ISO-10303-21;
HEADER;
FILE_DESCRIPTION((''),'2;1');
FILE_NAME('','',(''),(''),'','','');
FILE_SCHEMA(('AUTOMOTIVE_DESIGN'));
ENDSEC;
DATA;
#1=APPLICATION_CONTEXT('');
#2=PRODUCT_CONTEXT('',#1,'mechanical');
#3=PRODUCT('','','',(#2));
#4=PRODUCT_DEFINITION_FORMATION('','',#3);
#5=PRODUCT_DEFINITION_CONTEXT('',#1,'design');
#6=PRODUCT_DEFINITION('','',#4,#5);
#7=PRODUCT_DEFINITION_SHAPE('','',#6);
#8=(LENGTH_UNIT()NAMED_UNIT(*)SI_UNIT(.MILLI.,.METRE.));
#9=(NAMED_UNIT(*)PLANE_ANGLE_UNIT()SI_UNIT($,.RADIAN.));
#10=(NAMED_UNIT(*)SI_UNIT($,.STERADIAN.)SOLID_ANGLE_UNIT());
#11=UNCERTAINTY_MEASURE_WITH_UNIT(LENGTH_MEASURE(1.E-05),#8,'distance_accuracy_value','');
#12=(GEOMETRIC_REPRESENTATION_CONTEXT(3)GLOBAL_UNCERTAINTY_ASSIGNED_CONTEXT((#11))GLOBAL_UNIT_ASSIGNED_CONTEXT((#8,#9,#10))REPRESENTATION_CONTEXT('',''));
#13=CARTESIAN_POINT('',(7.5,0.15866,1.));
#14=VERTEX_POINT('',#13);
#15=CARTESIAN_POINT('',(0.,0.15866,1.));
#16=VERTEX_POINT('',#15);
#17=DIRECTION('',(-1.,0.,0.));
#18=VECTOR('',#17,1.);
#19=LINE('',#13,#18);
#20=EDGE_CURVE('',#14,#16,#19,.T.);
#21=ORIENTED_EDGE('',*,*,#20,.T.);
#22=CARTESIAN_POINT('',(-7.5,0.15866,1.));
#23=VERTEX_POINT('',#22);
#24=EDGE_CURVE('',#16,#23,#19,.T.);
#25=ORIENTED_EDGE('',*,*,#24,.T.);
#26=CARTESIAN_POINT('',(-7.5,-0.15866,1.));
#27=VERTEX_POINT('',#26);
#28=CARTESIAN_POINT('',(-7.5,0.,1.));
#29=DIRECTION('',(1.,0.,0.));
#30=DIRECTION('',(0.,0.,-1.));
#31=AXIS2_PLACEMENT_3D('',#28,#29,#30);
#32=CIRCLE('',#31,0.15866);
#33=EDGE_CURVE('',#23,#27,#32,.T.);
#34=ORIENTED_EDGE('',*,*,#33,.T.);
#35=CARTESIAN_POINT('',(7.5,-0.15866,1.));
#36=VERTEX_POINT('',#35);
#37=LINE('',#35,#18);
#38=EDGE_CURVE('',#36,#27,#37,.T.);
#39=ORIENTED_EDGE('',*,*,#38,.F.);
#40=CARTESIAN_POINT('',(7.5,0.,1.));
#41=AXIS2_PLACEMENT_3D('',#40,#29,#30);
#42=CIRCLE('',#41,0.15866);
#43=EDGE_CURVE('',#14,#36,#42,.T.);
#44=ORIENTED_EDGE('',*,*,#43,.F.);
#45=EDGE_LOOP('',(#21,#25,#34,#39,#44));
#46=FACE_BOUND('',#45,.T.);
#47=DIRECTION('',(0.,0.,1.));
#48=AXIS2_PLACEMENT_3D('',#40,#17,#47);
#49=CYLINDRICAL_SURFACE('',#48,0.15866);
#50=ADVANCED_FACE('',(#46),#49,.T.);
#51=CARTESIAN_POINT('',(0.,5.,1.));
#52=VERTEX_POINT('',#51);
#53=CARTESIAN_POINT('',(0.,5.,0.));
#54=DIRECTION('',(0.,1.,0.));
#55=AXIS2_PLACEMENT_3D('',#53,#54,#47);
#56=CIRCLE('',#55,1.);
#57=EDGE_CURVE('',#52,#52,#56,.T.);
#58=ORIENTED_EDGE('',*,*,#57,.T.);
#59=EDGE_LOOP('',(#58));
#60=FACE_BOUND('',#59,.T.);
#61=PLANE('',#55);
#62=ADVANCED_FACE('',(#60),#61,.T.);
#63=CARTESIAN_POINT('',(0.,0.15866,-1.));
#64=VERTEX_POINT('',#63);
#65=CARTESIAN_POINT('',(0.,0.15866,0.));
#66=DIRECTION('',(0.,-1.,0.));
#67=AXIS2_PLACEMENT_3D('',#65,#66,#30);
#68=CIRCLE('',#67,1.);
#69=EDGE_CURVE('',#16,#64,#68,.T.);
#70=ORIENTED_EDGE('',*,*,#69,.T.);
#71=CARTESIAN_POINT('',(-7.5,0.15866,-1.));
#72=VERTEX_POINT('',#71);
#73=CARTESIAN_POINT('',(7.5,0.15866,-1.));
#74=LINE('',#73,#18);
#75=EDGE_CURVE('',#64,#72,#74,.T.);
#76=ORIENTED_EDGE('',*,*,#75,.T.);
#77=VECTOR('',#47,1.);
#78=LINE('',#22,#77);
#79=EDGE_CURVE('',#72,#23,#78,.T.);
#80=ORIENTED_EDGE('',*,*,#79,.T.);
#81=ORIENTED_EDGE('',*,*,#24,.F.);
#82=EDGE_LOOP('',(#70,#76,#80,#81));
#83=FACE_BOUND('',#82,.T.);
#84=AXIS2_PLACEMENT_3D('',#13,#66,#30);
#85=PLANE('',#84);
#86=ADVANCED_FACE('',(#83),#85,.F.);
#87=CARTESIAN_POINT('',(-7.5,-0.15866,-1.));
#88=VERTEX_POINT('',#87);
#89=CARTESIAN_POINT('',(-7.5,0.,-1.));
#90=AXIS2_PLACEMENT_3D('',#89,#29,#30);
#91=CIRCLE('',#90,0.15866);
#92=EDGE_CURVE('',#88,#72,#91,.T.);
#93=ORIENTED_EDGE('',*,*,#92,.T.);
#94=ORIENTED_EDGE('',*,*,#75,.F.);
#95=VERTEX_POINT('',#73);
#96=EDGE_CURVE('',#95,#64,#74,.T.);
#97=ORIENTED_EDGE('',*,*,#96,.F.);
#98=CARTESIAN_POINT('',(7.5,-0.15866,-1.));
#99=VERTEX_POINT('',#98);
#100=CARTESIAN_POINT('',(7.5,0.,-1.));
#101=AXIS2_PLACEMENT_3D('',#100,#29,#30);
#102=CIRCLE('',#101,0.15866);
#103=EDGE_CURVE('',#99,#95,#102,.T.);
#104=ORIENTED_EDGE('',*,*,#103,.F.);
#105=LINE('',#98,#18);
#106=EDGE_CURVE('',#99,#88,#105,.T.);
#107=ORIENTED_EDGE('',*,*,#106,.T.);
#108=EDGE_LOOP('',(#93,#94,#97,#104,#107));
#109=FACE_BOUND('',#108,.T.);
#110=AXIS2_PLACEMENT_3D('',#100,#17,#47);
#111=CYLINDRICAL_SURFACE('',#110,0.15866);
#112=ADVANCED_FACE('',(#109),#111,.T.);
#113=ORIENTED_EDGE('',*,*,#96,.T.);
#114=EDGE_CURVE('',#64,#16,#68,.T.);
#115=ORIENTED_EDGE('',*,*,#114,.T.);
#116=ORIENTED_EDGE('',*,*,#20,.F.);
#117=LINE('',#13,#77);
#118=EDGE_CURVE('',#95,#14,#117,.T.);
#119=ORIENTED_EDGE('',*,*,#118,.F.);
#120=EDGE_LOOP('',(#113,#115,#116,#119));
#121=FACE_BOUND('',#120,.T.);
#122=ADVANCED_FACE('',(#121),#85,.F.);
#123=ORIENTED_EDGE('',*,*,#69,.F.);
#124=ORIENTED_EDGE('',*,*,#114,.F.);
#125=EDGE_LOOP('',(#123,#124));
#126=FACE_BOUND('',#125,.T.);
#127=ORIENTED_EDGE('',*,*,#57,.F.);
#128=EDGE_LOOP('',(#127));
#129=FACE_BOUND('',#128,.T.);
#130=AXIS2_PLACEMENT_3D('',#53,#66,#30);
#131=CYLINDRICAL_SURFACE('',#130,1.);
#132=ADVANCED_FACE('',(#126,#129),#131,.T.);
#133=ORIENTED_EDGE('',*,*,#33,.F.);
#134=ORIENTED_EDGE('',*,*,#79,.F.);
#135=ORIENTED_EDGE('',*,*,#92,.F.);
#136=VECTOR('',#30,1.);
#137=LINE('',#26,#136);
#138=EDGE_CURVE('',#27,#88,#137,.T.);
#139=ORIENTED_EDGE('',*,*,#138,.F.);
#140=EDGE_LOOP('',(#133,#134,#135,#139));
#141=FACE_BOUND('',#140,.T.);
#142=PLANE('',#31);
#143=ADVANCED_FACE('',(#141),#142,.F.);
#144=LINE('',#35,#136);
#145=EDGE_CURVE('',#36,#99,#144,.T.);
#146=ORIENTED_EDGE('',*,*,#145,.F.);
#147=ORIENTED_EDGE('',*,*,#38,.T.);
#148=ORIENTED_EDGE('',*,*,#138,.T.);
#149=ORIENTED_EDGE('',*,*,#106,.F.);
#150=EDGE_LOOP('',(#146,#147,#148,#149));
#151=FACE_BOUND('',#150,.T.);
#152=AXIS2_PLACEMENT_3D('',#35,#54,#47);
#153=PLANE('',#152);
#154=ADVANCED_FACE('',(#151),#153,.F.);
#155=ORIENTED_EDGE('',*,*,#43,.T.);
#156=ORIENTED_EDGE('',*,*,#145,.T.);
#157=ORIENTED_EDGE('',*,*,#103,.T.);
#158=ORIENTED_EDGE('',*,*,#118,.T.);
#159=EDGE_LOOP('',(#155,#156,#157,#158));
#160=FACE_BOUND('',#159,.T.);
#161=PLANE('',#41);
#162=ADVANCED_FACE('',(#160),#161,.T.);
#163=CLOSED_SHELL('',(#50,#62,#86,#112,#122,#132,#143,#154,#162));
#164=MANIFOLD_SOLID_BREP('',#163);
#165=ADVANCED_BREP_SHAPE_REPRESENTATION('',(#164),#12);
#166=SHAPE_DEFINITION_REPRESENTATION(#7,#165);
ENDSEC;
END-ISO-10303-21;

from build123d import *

# Parameters (mm, degrees)
SKETCH3_R           = 1
BOSS_EXTRUDE1_DEPTH = 5
BOSS_EXTRUDE2_DEPTH = 7.5


with BuildPart() as part:
    # Sketch3 → Boss-Extrude1 (new body)
    with BuildSketch(Plane(origin=(0, 0, 0), x_dir=(1, 0, 0), z_dir=(0, 1, 0))):
        Circle(SKETCH3_R)
    extrude(amount=BOSS_EXTRUDE1_DEPTH)

    # Sketch4 → Boss-Extrude2 (add, symmetric)
    with BuildSketch(Plane(origin=(0, 0, 0), x_dir=(0, 0, -1), z_dir=(1, 0, 0))):
        with BuildLine():
            Line((-1, 0.158659908), (1, 0.158659908))
            ThreePointArc((1, 0.158659908), (1.158659908, 0), (1, -0.158659908))
            Line((1, -0.158659908), (-1, -0.158659908))
            ThreePointArc((-1, -0.158659908), (-1.158659908, 0), (-1, 0.158659908))
        make_face()
    extrude(amount=BOSS_EXTRUDE2_DEPTH, both=True)


solid = part.part
